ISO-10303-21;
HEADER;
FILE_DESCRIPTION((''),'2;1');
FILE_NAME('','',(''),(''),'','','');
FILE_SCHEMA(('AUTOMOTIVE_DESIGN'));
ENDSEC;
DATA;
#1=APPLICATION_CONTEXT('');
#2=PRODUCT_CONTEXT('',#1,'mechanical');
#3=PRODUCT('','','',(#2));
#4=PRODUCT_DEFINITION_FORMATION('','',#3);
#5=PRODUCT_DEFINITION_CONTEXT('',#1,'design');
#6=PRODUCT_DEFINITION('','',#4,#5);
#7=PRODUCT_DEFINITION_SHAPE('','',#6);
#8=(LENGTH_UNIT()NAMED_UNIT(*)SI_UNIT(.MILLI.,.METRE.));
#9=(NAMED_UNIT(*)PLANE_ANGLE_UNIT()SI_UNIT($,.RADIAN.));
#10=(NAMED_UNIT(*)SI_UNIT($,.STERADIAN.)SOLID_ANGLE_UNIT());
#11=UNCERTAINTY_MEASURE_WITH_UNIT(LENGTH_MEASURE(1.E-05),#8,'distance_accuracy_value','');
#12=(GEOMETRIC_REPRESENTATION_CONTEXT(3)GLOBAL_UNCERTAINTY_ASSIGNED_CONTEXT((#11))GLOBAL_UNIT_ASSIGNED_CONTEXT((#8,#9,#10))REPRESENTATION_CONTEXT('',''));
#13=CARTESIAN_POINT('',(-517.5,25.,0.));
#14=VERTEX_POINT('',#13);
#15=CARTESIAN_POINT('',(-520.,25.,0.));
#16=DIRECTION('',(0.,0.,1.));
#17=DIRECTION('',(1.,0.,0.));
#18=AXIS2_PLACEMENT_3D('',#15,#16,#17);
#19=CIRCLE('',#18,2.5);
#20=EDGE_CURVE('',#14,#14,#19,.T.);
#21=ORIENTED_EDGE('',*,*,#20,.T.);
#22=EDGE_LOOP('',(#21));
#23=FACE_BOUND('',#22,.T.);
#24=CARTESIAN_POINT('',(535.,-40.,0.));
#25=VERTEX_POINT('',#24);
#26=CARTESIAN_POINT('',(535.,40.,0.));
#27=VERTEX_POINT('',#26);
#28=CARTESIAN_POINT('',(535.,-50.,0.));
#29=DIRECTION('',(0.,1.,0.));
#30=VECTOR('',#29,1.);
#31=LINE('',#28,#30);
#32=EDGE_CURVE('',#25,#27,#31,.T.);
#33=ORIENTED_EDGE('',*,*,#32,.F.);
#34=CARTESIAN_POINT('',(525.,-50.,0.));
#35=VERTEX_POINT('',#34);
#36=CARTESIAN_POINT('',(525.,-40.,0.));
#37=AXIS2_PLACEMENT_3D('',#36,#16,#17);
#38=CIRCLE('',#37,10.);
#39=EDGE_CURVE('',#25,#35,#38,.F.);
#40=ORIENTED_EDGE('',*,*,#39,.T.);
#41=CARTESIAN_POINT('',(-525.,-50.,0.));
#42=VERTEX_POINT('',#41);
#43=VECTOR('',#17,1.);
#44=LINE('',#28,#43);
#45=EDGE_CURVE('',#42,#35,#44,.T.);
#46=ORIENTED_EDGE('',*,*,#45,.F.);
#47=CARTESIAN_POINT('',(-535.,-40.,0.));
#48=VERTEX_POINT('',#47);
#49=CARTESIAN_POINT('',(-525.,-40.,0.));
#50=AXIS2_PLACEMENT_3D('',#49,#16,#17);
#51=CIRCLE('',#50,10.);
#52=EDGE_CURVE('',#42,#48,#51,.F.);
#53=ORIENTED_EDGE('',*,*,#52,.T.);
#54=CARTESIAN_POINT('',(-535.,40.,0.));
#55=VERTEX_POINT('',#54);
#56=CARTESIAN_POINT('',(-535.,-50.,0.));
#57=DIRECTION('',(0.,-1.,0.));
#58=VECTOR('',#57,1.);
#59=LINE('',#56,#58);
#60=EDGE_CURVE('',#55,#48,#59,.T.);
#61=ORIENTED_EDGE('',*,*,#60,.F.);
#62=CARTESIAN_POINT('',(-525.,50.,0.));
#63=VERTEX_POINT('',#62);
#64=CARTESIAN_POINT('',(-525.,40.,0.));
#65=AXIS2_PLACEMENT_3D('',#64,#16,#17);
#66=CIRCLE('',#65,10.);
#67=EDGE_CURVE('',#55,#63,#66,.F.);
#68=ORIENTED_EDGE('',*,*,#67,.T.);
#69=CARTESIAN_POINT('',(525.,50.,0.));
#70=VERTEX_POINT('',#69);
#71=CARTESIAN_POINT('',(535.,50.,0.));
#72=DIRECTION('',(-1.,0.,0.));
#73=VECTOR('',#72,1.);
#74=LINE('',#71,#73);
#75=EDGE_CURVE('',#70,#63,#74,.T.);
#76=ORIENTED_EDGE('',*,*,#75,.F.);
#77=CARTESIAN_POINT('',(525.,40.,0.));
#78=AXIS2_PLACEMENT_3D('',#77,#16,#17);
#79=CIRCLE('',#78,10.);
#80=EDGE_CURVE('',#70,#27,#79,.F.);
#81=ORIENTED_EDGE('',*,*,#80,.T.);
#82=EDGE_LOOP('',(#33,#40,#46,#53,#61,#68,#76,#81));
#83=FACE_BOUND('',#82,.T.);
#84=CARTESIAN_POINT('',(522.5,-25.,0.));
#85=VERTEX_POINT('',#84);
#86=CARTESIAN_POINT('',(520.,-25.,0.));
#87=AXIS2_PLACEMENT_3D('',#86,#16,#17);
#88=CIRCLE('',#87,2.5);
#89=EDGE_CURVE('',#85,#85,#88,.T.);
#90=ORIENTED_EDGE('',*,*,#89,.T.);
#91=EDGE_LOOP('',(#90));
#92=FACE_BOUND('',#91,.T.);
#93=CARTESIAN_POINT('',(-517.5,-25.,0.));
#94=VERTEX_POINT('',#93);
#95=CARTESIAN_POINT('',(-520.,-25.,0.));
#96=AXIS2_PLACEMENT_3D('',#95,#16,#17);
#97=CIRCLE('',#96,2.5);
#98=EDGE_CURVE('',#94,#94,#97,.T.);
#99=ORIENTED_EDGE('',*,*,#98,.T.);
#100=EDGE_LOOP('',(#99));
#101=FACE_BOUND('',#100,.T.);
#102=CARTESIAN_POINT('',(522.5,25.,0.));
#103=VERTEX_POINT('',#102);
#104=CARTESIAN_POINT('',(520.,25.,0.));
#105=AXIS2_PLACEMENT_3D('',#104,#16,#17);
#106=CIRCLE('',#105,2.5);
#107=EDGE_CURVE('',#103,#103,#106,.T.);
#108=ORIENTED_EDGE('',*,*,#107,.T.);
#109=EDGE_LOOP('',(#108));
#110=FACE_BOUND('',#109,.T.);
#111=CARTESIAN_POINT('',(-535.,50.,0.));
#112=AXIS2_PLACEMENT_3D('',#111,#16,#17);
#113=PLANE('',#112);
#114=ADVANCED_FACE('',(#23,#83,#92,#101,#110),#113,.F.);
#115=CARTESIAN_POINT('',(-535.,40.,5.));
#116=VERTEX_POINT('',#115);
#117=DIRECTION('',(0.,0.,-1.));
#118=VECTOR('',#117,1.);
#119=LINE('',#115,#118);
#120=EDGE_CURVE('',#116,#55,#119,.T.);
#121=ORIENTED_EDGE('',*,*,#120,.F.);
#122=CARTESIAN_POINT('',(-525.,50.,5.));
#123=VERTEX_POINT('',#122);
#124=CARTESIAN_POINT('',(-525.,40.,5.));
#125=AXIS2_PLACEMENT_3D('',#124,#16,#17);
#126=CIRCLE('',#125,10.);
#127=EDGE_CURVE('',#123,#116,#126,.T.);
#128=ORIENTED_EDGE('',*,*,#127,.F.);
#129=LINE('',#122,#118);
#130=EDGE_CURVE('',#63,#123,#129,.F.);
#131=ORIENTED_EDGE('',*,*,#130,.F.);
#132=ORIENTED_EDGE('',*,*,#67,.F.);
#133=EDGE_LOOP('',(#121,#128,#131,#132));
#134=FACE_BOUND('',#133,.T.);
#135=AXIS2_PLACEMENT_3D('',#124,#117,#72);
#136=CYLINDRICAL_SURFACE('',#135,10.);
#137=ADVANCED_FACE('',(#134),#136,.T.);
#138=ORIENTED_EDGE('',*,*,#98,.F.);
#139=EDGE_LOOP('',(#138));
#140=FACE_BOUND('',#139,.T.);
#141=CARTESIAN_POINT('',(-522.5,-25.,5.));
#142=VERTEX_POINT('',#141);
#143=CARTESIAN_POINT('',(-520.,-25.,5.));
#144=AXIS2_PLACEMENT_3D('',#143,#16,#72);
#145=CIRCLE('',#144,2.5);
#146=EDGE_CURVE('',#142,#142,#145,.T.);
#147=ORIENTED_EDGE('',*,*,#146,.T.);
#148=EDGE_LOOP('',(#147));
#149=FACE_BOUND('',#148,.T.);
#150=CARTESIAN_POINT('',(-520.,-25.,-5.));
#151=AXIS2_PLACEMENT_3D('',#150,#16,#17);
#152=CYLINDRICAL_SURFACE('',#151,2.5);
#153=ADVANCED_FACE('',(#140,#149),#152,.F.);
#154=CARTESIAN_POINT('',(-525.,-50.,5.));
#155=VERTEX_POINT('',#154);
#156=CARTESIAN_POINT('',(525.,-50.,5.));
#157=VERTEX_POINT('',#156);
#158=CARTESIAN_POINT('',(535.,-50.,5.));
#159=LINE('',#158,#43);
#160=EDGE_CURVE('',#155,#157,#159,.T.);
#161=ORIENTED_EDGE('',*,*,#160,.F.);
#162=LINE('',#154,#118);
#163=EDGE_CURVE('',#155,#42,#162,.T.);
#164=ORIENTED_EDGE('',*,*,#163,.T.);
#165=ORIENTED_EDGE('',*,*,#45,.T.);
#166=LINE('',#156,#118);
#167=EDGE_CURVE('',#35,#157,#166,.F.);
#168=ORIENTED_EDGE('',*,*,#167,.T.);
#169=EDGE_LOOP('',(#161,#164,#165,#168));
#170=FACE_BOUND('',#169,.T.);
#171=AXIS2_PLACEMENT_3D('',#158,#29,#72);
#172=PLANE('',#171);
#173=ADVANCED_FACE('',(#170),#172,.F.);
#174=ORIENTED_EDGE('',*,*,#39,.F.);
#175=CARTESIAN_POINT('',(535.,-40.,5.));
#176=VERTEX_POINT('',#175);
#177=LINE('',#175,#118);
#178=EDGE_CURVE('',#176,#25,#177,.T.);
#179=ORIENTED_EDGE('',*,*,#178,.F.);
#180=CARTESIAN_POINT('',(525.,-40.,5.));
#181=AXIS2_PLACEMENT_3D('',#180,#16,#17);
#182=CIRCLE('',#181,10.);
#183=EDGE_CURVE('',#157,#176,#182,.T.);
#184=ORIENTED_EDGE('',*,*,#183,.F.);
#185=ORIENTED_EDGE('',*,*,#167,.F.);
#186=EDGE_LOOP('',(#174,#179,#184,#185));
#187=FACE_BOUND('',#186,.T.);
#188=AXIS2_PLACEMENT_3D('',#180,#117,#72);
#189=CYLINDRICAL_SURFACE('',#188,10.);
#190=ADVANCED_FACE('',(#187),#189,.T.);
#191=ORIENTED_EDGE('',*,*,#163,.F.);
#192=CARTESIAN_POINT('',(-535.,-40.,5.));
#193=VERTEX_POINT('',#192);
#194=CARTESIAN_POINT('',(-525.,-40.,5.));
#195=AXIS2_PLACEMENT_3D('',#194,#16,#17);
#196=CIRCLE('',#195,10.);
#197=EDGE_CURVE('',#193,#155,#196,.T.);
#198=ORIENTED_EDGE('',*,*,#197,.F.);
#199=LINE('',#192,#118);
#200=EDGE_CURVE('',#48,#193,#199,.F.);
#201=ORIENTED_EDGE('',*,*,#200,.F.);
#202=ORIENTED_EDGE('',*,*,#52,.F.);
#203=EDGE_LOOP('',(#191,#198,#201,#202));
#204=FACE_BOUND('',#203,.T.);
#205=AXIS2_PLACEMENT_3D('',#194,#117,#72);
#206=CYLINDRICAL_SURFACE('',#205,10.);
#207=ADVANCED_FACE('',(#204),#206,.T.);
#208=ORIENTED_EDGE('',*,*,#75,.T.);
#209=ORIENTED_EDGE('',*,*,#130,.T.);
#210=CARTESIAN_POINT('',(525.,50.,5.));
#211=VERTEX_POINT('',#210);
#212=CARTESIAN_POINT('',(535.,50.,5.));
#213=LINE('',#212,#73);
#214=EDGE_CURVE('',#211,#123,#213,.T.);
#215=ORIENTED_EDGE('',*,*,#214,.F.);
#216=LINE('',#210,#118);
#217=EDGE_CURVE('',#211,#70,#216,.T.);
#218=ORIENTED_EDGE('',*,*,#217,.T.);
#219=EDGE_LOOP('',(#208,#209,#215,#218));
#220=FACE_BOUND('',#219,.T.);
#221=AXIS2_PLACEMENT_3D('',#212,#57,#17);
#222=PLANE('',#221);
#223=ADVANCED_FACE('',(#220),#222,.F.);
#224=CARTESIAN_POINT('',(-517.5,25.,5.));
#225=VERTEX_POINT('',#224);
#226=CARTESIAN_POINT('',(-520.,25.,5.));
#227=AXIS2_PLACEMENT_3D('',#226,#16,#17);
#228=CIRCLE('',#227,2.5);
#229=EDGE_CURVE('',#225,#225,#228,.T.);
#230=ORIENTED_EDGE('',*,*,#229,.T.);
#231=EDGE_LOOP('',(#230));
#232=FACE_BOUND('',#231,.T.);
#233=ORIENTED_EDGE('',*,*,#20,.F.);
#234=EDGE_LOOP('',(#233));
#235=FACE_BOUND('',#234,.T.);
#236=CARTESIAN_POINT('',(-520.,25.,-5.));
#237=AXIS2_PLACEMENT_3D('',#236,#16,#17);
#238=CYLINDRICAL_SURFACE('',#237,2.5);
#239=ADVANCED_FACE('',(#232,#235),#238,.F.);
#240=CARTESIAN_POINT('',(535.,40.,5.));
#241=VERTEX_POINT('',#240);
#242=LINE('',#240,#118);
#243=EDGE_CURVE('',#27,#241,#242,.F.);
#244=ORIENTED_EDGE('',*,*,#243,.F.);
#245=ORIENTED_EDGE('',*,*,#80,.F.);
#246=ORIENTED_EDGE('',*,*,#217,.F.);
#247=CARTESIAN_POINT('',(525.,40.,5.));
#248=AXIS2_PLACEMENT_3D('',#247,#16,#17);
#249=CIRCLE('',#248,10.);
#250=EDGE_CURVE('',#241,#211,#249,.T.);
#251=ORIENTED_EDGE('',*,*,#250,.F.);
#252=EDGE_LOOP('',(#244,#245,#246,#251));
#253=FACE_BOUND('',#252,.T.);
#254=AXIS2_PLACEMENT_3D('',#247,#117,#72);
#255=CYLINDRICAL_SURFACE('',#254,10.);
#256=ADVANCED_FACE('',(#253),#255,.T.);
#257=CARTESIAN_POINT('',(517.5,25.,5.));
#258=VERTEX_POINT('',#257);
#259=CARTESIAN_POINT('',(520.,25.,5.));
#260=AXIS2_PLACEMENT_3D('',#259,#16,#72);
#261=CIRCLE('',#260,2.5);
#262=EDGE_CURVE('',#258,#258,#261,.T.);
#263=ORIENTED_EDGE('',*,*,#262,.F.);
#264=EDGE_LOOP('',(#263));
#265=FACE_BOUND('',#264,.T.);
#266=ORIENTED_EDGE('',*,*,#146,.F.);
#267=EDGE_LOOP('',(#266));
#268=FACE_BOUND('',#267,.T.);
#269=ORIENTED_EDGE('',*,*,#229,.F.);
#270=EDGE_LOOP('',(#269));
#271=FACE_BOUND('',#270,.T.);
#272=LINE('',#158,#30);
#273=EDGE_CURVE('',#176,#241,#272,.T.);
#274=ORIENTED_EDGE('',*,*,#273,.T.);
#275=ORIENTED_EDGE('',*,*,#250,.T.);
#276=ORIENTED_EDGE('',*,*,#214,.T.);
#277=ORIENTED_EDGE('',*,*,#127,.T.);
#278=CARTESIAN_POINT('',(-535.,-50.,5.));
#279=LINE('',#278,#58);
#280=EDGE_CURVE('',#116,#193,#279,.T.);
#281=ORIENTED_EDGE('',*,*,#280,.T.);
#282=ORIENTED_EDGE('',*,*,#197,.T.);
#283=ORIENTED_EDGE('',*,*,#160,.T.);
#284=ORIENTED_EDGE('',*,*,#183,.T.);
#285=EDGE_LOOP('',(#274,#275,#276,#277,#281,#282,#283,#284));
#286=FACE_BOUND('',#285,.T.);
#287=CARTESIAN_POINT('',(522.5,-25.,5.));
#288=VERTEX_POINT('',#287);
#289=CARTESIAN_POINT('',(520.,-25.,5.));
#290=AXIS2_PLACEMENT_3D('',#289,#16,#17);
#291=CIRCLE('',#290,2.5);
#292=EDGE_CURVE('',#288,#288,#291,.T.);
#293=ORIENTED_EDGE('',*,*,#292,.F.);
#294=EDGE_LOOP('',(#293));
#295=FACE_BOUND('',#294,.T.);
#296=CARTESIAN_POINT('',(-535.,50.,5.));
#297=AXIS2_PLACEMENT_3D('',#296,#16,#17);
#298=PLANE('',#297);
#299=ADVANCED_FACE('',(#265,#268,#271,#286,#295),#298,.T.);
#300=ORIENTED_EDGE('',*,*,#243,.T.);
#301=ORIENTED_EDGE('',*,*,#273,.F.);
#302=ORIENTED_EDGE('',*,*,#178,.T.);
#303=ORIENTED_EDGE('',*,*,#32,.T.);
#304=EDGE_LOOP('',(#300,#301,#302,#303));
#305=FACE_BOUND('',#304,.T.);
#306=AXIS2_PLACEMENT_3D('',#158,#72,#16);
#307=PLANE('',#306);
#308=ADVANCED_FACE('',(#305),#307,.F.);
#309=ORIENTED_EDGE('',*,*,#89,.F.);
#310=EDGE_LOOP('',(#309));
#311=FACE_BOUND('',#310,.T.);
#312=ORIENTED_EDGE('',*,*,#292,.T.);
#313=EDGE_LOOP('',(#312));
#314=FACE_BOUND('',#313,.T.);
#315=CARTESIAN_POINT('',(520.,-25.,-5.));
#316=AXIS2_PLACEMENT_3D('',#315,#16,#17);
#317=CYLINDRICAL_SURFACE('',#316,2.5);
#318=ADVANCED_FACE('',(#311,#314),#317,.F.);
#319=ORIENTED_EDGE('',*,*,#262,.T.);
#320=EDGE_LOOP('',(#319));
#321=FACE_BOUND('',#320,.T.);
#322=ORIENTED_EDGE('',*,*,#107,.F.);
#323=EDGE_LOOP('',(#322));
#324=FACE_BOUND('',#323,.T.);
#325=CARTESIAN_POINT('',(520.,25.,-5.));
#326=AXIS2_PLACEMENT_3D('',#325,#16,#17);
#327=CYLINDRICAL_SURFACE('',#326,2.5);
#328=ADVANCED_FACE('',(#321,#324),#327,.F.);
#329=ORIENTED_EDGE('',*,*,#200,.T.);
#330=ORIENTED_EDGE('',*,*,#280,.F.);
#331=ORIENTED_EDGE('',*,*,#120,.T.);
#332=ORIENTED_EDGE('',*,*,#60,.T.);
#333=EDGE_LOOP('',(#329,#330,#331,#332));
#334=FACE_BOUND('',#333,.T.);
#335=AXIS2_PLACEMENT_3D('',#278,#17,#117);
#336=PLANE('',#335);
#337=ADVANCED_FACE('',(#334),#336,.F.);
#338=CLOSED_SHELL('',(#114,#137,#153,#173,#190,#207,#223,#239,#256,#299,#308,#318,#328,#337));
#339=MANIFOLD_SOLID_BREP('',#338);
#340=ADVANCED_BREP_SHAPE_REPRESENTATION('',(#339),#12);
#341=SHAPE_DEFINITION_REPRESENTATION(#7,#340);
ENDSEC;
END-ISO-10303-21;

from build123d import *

# Parameters (mm, degrees)
CROQUIS1_W     = 1070
CROQUIS1_H     = 100
EXTRUIR1_DEPTH = 5
REDONDEO1_R    = 10
CROQUIS2_R     = 2.5
EXTRUIR2_DEPTH = 10


with BuildPart() as part:
    # Croquis1 → Extruir1 (new body)
    with BuildSketch(Plane.XY):
        Rectangle(CROQUIS1_W, CROQUIS1_H)
    extrude(amount=EXTRUIR1_DEPTH)

    # Redondeo1
    redondeo1_edges = [part.edges().sort_by_distance(p)[0] for p in [
        (-535, 50, 2.5),
        (535, 50, 2.5),
        (535, -50, 2.5),
        (-535, -50, 2.5),
    ]]
    fillet(redondeo1_edges, radius=REDONDEO1_R)

    # Croquis2 → Extruir2 (cut)
    with BuildSketch(Plane.XY.offset(5)):
        with Locations((-520, 25)):
            Circle(CROQUIS2_R)
        with Locations((-520, -25)):
            Circle(CROQUIS2_R)
        with Locations((520, -25)):
            Circle(CROQUIS2_R)
        with Locations((520, 25)):
            Circle(CROQUIS2_R)
    extrude(amount=-EXTRUIR2_DEPTH, mode=Mode.SUBTRACT)


solid = part.part
